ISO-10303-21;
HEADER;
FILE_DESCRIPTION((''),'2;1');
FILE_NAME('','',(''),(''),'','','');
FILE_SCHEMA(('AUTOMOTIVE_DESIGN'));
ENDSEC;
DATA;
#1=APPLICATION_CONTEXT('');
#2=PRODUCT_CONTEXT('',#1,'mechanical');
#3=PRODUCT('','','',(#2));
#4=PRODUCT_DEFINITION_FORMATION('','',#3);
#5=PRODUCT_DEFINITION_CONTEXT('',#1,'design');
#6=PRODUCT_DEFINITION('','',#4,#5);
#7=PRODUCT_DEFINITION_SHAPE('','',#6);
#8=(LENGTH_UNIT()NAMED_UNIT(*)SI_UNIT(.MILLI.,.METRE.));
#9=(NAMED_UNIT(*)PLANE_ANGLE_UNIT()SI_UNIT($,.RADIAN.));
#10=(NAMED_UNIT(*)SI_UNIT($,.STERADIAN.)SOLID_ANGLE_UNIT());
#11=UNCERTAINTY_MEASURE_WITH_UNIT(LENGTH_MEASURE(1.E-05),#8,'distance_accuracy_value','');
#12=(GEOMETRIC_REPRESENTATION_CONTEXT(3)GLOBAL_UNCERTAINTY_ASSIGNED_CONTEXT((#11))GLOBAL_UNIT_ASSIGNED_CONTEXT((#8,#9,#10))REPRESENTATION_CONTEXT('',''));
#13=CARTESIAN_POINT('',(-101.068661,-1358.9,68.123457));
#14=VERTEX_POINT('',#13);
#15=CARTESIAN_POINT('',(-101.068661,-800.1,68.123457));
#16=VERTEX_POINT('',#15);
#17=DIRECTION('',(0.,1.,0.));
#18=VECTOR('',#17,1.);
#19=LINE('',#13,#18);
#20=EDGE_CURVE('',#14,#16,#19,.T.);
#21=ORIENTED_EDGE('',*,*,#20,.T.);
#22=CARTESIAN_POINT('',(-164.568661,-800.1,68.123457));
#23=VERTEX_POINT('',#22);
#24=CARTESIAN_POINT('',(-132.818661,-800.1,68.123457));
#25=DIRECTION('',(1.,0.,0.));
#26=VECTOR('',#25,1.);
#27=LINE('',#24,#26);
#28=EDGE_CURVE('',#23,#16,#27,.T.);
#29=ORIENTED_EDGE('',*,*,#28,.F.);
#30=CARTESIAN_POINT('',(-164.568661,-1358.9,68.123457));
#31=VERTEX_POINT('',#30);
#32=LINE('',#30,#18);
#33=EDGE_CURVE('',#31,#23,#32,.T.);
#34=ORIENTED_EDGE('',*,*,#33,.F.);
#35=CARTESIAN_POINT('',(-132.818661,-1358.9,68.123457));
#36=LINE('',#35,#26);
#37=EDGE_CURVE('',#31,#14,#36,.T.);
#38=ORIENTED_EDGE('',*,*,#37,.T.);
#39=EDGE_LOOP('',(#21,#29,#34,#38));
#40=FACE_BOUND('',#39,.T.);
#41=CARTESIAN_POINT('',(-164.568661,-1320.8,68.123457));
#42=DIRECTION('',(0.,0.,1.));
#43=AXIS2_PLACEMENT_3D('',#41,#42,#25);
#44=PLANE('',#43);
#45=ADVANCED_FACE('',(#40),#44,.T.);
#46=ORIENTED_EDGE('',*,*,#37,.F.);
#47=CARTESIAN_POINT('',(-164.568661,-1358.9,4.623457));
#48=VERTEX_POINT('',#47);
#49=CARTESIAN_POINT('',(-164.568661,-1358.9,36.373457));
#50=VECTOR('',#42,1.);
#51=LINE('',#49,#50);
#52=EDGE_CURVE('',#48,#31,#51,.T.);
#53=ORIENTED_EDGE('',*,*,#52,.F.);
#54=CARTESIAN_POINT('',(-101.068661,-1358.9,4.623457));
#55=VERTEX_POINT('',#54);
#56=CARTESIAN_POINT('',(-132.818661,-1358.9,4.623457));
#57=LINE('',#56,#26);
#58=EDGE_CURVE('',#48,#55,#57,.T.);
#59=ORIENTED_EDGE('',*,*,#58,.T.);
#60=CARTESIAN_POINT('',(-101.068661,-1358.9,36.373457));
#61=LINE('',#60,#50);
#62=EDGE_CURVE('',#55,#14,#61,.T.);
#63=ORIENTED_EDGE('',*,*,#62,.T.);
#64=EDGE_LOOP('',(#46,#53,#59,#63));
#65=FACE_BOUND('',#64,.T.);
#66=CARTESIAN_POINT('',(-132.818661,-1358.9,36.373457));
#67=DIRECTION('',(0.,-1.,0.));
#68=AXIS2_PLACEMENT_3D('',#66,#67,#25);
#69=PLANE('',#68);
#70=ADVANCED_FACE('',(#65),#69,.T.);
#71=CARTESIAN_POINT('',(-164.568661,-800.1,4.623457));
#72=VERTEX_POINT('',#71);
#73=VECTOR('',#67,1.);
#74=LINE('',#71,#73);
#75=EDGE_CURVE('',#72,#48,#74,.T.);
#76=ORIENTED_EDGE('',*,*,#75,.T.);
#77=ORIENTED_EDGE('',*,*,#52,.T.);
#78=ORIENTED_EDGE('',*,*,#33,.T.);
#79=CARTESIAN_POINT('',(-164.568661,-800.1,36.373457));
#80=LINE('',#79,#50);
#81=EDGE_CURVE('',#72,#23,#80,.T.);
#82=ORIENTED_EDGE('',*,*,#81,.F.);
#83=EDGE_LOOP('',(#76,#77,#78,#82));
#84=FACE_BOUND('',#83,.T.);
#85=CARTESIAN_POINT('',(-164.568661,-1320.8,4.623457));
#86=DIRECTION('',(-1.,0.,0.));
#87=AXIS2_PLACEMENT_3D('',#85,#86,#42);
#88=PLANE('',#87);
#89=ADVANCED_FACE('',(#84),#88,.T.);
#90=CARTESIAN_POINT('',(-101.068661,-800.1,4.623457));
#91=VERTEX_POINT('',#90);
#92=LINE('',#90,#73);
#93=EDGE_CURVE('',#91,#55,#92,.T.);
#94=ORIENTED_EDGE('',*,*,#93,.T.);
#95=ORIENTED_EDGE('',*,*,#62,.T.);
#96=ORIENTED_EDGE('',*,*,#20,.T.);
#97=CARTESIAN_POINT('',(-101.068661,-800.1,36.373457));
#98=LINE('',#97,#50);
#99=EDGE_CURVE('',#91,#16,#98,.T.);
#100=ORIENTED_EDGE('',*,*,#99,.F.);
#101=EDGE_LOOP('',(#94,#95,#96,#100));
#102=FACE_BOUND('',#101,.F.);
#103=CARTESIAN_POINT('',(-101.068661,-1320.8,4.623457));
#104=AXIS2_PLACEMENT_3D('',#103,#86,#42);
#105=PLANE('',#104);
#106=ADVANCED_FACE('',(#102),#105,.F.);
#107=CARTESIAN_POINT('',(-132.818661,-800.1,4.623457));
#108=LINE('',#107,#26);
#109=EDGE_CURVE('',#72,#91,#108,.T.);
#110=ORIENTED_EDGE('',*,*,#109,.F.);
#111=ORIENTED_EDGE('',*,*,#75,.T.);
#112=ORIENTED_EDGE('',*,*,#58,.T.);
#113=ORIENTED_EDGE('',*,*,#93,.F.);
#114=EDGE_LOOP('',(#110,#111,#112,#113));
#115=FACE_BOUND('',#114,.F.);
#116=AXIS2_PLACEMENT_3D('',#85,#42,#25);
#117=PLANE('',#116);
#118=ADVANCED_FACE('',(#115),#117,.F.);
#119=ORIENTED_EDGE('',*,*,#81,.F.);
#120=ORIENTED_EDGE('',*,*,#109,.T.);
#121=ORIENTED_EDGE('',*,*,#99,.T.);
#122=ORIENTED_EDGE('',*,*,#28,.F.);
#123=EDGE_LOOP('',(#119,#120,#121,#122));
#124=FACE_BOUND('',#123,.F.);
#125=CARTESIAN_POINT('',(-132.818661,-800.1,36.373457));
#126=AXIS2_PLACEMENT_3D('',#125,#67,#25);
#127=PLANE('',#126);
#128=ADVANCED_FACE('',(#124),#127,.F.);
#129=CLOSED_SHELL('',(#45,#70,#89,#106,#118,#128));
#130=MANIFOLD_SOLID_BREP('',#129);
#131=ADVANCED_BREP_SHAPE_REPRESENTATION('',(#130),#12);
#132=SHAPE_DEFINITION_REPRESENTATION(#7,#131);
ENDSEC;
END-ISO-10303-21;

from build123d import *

# Parameters (mm, degrees)
F0_W      = 63.5
F0_H      = 63.5
F1_DEPTH  = 1498.6
F2_DEPTH  = 1092.2
F3_DEPTH  = 203.2
F4_DEPTH  = 177.8
F5_DEPTH  = 279.4
F6_DEPTH  = 254
F7_DEPTH  = 25.4
F8_DEPTH  = 12.7
F9_DEPTH  = 12.7
F10_DEPTH = 12.7
F11_DEPTH = 38.1


with BuildPart() as f1:
    # F0 (on Front) → F1 (new body)
    with BuildSketch(Plane.XZ):
        with Locations((-132.8186606169, 36.3734573238)):
            Rectangle(F0_W, F0_H)
    extrude(amount=F1_DEPTH)

    # F2 (cut): a face of the model
    f2_faces = [f1.faces().sort_by_distance(p)[0] for p in [
        (-132.8186606169, 0, 36.3734573238),
    ]]
    extrude(f2_faces, amount=-F2_DEPTH, mode=Mode.SUBTRACT)

    # F3 (cut): a face of the model
    f3_faces = [f1.faces().sort_by_distance(p)[0] for p in [
        (-132.8186606169, -1092.2, 36.3734573238),
    ]]
    extrude(f3_faces, amount=-F3_DEPTH, mode=Mode.SUBTRACT)

    # F4 (cut): a face of the model
    f4_faces = [f1.faces().sort_by_distance(p)[0] for p in [
        (-132.8186606169, -1498.6, 36.3734573238),
    ]]
    extrude(f4_faces, amount=-F4_DEPTH, mode=Mode.SUBTRACT)

    # F5 (add): a face of the model
    f5_faces = [f1.faces().sort_by_distance(p)[0] for p in [
        (-132.8186606169, -1295.4, 36.3734573238),
    ]]
    extrude(f5_faces, amount=F5_DEPTH)

    # F6 (add): a face of the model
    f6_faces = [f1.faces().sort_by_distance(p)[0] for p in [
        (-132.8186606169, -1016, 36.3734573238),
    ]]
    extrude(f6_faces, amount=F6_DEPTH)

    # F7 (cut): a face of the model
    f7_faces = [f1.faces().sort_by_distance(p)[0] for p in [
        (-132.8186606169, -762, 36.3734573238),
    ]]
    extrude(f7_faces, amount=-F7_DEPTH, mode=Mode.SUBTRACT)

    # F8 (add): a face of the model
    f8_faces = [f1.faces().sort_by_distance(p)[0] for p in [
        (-132.8186606169, -787.4, 36.3734573238),
    ]]
    extrude(f8_faces, amount=F8_DEPTH)

    # F9 (cut): a face of the model
    f9_faces = [f1.faces().sort_by_distance(p)[0] for p in [
        (-132.8186606169, -774.7, 36.3734573238),
    ]]
    extrude(f9_faces, amount=-F9_DEPTH, mode=Mode.SUBTRACT)

    # F10 (cut): a face of the model
    f10_faces = [f1.faces().sort_by_distance(p)[0] for p in [
        (-132.8186606169, -787.4, 36.3734573238),
    ]]
    extrude(f10_faces, amount=-F10_DEPTH, mode=Mode.SUBTRACT)

    # F11 (add): a face of the model
    f11_faces = [f1.faces().sort_by_distance(p)[0] for p in [
        (-132.8186606169, -1320.8, 36.3734573238),
    ]]
    extrude(f11_faces, amount=F11_DEPTH)


solid = f1.part
